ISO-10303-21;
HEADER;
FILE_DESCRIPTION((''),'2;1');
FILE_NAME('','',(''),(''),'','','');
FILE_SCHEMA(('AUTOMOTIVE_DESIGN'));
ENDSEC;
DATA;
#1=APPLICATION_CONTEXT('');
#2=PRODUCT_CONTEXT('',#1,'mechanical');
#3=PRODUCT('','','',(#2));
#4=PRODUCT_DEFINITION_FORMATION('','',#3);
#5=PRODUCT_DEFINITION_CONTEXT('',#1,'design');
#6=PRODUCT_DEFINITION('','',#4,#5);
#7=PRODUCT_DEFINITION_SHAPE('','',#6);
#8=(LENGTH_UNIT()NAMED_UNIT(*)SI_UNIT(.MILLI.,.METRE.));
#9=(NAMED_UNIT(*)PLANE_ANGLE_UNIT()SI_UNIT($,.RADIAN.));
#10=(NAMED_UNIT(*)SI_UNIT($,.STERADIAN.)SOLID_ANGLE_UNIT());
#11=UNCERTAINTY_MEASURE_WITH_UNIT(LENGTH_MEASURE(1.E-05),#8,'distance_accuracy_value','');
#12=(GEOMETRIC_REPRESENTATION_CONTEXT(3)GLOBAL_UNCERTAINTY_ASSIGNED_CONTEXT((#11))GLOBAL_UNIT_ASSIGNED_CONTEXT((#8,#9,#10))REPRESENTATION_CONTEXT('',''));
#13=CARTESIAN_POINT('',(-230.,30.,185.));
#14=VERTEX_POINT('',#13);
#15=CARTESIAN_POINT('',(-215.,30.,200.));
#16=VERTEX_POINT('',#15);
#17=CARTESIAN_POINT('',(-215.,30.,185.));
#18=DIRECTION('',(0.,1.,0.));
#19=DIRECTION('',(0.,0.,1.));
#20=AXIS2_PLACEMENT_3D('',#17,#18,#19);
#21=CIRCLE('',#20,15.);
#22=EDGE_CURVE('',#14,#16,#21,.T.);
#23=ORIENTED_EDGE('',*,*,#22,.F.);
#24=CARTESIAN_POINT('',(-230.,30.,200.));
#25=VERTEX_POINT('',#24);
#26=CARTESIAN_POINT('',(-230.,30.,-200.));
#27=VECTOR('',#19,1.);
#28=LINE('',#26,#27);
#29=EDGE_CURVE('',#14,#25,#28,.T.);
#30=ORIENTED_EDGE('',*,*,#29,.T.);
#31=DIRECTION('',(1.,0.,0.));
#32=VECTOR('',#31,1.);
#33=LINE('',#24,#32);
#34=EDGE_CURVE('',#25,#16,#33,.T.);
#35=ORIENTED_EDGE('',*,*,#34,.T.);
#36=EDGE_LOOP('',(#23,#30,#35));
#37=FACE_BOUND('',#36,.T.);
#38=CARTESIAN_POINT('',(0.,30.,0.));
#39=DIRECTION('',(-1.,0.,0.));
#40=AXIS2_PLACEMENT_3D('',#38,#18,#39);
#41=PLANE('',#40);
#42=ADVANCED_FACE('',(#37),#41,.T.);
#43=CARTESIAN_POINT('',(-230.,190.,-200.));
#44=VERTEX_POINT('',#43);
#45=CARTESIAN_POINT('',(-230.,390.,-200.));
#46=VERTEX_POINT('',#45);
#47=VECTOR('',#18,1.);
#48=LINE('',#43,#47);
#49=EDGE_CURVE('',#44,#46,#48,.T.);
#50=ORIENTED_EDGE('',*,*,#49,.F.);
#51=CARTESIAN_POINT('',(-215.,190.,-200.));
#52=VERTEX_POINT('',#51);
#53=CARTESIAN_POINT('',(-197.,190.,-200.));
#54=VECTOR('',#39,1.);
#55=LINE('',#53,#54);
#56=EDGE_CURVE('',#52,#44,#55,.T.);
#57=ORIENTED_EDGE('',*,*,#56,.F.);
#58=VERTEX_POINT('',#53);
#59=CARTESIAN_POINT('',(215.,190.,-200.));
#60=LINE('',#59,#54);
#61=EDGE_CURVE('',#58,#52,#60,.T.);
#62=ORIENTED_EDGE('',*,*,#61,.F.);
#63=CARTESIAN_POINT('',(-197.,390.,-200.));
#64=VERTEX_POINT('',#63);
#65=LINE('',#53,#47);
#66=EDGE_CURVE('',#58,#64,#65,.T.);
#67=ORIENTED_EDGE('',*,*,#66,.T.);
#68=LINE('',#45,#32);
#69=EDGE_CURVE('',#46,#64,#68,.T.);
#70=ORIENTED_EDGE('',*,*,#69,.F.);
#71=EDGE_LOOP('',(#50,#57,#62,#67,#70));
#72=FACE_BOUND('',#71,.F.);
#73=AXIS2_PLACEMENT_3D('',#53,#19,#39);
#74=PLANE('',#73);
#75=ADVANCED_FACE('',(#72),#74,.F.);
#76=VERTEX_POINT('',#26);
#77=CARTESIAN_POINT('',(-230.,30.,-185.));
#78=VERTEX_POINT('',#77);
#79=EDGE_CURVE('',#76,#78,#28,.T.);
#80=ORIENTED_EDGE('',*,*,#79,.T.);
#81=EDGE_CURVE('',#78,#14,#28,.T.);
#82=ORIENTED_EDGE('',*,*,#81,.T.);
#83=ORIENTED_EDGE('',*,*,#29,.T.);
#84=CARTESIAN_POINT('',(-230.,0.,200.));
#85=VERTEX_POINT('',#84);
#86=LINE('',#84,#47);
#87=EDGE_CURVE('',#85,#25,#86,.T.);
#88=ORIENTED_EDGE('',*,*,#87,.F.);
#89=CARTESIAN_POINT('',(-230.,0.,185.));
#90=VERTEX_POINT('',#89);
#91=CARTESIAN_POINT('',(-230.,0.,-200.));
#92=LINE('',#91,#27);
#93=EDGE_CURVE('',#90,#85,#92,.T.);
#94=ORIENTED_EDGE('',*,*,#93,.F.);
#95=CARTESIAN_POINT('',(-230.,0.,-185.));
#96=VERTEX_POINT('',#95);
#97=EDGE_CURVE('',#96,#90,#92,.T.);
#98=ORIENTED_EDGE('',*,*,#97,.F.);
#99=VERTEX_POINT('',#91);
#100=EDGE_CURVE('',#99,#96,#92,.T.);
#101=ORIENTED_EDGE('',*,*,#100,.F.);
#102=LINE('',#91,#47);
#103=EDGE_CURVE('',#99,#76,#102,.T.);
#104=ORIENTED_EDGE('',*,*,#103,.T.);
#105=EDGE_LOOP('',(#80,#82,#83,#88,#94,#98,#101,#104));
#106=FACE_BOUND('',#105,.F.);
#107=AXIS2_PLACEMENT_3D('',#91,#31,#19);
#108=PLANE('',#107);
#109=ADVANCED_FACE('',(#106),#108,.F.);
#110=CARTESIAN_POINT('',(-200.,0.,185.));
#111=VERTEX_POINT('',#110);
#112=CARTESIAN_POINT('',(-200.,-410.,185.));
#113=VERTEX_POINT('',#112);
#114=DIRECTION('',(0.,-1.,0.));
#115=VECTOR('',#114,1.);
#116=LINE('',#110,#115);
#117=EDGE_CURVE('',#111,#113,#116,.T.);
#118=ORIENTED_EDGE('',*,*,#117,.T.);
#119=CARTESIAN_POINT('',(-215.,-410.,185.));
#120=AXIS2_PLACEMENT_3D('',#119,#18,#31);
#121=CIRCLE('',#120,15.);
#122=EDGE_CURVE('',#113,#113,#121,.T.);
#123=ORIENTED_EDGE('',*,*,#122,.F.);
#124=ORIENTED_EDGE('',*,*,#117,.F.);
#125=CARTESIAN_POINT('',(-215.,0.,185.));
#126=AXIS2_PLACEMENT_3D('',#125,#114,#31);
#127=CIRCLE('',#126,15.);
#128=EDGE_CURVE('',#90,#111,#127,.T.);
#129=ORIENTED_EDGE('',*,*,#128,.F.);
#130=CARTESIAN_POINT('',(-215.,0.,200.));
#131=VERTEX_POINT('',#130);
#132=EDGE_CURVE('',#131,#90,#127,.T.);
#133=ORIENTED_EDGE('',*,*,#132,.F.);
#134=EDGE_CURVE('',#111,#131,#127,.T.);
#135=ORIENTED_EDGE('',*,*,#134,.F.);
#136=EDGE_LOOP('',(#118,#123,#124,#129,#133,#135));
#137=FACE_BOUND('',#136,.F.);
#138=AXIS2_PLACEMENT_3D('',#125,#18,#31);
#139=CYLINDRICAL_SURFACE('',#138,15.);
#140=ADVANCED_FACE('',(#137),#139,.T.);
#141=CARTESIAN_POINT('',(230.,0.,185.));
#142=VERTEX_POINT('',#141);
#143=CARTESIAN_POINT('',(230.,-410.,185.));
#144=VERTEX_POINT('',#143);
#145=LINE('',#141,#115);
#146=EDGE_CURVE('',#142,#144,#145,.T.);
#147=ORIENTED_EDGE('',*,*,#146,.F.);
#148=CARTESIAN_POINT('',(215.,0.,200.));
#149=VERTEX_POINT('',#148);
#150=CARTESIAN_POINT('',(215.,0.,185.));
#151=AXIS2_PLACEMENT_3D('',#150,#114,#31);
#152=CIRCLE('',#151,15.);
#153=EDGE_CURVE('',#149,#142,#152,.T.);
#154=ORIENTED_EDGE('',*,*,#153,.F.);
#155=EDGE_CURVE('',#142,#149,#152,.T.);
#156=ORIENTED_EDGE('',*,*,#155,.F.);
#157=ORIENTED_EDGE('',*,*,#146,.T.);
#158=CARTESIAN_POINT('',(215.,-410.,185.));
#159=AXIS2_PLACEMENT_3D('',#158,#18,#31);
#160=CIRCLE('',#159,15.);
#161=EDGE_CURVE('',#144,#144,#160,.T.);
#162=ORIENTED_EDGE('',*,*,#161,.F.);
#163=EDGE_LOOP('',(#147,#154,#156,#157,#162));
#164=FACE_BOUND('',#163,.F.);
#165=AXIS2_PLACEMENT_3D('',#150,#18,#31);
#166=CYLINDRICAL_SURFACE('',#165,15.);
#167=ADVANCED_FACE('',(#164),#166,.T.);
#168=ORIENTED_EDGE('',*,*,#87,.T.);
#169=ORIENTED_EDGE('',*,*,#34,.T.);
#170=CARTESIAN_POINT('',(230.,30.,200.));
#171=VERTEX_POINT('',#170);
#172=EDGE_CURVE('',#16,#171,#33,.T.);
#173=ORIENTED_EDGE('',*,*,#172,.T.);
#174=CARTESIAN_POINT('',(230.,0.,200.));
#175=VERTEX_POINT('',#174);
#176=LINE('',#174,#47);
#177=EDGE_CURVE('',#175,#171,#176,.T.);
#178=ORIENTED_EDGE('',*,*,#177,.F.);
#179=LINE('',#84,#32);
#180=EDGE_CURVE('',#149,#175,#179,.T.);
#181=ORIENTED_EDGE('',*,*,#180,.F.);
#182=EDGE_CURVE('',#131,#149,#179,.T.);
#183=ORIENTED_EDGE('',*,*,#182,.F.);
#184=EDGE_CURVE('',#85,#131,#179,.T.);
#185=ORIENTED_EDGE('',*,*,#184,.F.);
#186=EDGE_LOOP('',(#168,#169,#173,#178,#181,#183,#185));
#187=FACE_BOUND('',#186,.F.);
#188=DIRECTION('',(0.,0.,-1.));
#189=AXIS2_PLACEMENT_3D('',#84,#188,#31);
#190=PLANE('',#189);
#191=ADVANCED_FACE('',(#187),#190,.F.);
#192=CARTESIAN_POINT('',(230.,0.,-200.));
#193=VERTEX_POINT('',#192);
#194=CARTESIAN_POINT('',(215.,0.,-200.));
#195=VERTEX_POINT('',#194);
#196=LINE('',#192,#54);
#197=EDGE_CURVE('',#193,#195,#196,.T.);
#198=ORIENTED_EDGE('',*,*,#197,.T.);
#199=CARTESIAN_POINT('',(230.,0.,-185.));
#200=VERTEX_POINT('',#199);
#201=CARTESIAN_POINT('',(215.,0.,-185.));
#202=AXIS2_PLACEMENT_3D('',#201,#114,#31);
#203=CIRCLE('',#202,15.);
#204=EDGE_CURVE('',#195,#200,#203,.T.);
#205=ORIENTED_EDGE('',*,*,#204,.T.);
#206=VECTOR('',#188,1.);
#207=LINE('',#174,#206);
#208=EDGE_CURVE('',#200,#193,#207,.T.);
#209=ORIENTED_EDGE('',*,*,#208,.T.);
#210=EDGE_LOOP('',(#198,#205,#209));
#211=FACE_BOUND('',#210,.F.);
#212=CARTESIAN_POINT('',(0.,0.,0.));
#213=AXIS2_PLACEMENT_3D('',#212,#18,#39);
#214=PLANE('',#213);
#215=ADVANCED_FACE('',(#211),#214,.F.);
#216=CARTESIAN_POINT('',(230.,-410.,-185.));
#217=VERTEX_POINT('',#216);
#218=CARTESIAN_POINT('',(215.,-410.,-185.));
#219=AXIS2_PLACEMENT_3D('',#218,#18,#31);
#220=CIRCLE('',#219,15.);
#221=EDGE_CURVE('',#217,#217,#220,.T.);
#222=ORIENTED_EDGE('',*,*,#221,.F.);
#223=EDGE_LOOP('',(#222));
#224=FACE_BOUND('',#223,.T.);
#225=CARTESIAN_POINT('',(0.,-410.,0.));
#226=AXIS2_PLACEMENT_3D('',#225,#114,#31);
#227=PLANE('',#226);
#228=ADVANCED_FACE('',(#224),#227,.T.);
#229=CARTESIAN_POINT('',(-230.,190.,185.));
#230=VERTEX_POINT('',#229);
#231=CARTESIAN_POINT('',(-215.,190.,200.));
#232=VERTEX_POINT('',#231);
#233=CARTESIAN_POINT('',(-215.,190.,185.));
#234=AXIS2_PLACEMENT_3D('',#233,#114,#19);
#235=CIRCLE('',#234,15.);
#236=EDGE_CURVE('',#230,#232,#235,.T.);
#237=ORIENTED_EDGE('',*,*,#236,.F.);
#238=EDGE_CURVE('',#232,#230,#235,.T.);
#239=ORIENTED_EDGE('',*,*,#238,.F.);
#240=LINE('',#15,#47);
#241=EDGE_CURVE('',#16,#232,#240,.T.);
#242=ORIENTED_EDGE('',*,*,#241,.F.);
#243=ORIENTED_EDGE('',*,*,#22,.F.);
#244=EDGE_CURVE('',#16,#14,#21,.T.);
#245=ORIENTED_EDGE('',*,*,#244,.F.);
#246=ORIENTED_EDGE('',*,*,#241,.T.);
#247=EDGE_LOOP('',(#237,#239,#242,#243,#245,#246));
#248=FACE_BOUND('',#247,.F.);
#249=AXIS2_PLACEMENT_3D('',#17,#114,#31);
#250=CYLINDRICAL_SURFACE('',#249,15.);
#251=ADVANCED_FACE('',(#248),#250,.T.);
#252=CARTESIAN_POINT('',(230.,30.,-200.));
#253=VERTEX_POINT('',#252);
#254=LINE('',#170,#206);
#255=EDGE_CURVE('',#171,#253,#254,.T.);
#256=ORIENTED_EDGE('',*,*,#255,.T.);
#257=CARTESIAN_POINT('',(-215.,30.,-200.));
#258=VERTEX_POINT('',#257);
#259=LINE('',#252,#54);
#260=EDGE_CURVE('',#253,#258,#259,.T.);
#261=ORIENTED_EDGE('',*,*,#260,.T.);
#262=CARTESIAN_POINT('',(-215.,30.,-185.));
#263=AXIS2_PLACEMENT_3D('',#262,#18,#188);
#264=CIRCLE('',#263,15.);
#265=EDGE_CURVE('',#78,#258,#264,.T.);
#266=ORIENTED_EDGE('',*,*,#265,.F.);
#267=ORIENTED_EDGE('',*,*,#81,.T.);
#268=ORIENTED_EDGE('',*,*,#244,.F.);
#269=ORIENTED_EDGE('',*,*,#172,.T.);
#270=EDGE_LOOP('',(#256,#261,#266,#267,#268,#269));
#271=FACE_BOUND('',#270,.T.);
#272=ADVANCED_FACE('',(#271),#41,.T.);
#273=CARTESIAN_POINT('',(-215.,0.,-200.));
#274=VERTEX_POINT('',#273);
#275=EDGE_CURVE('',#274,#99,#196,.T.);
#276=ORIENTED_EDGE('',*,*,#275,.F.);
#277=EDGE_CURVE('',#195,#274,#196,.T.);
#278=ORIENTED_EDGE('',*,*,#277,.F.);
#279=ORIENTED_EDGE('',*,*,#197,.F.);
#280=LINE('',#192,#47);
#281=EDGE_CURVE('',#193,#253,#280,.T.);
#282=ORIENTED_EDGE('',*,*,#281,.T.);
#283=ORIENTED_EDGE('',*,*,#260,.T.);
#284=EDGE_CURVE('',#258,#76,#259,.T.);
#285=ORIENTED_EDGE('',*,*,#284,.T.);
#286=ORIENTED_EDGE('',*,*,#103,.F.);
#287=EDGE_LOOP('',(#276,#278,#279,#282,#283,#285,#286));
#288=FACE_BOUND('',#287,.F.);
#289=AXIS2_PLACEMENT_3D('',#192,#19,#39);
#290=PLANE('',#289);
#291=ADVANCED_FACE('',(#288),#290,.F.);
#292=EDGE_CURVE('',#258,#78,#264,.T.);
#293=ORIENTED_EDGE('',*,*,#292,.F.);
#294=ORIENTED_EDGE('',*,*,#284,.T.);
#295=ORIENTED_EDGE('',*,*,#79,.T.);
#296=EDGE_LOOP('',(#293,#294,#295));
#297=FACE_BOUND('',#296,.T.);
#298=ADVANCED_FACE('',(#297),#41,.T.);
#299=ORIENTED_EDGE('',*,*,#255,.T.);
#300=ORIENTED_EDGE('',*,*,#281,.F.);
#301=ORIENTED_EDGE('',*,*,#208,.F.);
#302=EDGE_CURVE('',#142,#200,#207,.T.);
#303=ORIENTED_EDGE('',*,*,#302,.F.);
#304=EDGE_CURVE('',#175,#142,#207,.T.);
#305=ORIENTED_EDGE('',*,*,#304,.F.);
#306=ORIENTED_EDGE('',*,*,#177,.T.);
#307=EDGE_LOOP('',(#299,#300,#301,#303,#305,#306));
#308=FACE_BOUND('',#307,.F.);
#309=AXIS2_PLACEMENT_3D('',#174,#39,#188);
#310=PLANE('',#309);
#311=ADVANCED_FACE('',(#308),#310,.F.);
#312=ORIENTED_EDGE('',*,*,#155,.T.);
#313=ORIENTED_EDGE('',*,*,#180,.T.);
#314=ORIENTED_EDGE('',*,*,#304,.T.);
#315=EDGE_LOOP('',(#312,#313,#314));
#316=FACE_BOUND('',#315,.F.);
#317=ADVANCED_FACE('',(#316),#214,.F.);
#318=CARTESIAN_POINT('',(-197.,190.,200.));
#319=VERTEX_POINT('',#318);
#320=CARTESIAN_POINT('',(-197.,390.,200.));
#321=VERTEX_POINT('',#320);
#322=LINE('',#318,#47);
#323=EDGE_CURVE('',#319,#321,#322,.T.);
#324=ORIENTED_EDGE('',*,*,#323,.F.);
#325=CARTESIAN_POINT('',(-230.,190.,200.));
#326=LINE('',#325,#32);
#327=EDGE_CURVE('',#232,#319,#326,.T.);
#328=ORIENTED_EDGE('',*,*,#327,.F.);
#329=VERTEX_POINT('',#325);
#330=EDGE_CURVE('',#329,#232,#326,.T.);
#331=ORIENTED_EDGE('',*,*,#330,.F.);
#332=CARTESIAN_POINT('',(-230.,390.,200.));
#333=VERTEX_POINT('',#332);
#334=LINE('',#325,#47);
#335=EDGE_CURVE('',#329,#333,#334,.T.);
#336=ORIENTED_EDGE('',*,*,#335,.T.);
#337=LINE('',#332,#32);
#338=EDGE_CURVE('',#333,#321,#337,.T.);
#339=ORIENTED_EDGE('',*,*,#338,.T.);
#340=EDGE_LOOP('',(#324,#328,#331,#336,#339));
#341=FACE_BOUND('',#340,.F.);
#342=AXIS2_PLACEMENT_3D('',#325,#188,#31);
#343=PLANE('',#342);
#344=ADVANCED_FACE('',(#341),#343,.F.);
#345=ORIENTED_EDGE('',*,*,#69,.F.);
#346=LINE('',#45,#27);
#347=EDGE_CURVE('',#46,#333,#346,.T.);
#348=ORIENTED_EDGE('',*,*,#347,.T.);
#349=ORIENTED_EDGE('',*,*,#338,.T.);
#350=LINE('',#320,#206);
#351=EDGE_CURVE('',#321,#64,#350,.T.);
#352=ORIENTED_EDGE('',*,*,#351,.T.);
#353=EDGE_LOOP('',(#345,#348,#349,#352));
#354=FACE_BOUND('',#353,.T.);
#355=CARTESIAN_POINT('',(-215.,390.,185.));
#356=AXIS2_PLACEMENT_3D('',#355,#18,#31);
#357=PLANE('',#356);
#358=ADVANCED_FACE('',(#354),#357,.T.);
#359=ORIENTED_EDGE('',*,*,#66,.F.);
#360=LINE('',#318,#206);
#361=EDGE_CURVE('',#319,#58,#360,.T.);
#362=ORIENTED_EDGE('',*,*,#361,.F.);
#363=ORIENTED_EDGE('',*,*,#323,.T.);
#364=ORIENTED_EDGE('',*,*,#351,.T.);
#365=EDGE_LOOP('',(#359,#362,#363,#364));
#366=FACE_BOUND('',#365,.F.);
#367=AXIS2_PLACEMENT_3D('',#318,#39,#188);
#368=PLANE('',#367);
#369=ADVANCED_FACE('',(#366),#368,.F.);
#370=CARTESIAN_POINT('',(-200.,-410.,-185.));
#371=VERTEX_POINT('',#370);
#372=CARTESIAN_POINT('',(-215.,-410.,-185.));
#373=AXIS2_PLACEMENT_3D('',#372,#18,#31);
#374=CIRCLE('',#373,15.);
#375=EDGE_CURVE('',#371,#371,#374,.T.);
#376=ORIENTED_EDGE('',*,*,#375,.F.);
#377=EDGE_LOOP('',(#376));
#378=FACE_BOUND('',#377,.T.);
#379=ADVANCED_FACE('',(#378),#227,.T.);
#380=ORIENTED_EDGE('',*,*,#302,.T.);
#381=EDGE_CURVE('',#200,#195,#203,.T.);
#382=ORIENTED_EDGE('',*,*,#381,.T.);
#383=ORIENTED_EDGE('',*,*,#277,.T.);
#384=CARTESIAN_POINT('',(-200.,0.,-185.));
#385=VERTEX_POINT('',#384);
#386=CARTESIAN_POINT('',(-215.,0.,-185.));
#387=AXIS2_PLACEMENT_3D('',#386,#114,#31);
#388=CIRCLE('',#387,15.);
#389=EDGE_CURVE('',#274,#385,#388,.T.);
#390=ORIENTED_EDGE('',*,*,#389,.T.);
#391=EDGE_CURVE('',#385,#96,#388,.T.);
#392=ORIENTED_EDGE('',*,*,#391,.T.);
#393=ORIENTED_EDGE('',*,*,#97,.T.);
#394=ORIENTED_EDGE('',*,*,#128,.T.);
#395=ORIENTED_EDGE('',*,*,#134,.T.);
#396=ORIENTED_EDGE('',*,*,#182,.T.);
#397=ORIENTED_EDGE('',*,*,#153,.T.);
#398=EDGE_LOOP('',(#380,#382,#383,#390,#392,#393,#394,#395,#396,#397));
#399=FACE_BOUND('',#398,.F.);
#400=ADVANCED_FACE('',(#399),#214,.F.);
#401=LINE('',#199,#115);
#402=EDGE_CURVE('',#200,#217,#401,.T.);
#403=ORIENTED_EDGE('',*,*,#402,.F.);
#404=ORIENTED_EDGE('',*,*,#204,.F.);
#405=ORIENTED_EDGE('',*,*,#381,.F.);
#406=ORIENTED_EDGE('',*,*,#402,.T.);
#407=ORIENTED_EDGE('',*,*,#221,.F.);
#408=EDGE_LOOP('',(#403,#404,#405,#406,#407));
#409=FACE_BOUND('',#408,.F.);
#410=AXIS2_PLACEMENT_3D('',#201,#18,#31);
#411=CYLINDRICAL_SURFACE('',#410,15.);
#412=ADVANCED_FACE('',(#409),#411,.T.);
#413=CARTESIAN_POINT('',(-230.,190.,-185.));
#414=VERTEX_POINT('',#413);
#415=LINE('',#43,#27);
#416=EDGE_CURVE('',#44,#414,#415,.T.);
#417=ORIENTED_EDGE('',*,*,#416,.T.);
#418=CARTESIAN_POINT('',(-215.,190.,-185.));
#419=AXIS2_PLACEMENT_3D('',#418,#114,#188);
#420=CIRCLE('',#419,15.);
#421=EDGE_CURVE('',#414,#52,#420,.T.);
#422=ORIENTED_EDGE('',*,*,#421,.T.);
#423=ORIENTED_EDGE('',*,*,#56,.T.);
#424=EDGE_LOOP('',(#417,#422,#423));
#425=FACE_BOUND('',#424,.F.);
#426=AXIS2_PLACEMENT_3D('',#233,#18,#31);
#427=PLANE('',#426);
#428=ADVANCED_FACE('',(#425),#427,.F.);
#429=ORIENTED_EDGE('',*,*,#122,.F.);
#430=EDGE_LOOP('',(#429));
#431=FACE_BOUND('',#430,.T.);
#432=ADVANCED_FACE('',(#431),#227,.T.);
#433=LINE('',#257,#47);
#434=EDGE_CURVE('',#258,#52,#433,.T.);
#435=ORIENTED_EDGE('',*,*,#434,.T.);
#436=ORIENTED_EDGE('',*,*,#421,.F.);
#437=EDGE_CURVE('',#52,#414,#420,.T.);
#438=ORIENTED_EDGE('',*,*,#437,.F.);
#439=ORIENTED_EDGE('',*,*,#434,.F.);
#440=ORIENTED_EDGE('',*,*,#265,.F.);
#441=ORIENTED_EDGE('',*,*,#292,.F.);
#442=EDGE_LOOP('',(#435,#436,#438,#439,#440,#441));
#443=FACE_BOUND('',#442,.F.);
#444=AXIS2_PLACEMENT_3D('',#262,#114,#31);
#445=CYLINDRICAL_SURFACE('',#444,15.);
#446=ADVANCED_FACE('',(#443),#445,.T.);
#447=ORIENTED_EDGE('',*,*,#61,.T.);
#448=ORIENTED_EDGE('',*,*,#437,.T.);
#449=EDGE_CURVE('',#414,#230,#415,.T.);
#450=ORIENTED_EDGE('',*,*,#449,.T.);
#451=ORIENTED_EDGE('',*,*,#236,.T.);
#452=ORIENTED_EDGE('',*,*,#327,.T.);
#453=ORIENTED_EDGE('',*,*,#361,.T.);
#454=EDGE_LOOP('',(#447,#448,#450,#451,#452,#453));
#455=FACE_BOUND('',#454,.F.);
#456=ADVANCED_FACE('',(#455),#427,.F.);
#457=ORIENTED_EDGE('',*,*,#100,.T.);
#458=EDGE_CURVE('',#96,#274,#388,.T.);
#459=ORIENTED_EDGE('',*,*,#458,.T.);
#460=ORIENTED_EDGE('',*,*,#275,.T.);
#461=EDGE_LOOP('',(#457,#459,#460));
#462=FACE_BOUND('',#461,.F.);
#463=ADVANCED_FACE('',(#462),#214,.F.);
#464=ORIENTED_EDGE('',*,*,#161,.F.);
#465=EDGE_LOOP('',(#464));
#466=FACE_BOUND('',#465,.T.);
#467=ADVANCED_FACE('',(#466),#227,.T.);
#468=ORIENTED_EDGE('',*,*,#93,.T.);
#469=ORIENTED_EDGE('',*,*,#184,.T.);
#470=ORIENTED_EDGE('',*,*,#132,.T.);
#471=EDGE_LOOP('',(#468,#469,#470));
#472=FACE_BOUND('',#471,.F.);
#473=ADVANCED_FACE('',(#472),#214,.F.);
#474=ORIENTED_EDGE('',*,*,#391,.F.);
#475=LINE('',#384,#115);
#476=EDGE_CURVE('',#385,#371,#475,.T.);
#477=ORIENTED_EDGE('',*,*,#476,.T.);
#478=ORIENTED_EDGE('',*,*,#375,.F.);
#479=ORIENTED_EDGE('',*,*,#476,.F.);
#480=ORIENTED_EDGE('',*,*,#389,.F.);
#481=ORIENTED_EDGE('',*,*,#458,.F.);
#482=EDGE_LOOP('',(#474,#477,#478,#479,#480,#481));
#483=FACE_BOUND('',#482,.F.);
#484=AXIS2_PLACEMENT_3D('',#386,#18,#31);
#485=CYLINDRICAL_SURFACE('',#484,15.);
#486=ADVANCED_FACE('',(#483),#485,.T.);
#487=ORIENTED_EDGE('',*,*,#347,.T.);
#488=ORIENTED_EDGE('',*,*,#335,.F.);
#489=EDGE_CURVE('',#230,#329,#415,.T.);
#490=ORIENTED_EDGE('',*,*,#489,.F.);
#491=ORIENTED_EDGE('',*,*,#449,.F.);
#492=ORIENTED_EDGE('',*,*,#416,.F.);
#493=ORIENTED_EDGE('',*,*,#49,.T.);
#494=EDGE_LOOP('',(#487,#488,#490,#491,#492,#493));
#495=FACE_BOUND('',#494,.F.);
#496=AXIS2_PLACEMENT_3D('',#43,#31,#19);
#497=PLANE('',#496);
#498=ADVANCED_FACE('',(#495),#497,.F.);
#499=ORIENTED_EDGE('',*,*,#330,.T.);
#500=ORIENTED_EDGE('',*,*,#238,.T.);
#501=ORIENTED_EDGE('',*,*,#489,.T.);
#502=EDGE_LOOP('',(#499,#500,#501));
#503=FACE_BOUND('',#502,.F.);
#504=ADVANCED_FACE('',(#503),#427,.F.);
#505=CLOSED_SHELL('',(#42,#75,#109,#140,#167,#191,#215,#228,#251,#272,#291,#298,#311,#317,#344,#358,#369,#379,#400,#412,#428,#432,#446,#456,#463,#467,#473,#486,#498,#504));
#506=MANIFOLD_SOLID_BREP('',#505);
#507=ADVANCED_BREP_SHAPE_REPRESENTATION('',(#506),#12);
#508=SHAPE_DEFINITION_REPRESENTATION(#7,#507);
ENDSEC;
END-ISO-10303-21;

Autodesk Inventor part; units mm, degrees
ref_plane "YZ Plane" through (0, 0, 0) normal (1, 0, 0) x (0, 1, 0)
ref_plane "XZ Plane" through (0, 0, 0) normal (0, 1, 0) x (-1, 0, 0)
ref_plane "XY Plane" through (0, 0, 0) normal (0, 0, 1) x (1, 0, 0)
sketch "Esquisse1" plane through (0, 0, 0) normal (0, 1, 0) x (-1, 0, 0)
  line L0 (230, 200) -> (-230, 200)
  line L1 (-230, 200) -> (-230, -200)
  line L2 (-230, -200) -> (230, -200)
  line L3 (230, -200) -> (230, 200)
  point P0 (0, 0)
  dimension "d0" = 400
  dimension "d1" = 460
  dimension "d2" = 230
  dimension "d3" = 200
extrude "Extrusion1" add sketch "Esquisse1" along normal blind 30
sketch "Esquisse2" plane through (0, 0, 0) normal (0, -1, 0) x (1, 0, 0)
  circle A0 centre (215, 185) radius 15
  circle A1 centre (215, -185) radius 15
  circle A2 centre (-215, -185) radius 15
  circle A3 centre (-215, 185) radius 15
  line L0 (-230, 200) -> (230, 200) projected
  line L1 (230, 200) -> (230, -200) projected
  line L2 (230, -200) -> (-230, -200) projected
  line L3 (-230, -200) -> (-230, 200) projected
  point P0 (0, 0)
  dimension "d6" = 30
  dimension "d7" = 30
  dimension "d8" = 30
  dimension "d9" = 30
  dimension "d10" = 15
  dimension "d11" = 15
  dimension "d12" = 15
  dimension "d13" = 15
  dimension "d14" = 15
  dimension "d15" = 15
  dimension "d16" = 15
  dimension "d17" = 15
extrude "Extrusion2" add sketch "Esquisse2" along normal blind 410 contours A0 | A1 | A3 | A2
sketch "Esquisse3" plane through (0, 30, 0) normal (0, 1, 0) x (1, 0, 0)
  arc A0 (-215, -200) -> (-230, -185) centre (-215, -185) ccw projected
  circle A1 centre (-215, -185) radius 15
  arc A2 (-230, 185) -> (-215, 200) centre (-215, 185) ccw projected
  circle A3 centre (-215, 185) radius 15
  point P0 (0, 0)
extrude "Extrusion3" add sketch "Esquisse3" along normal blind 160
sketch "Esquisse4" plane through (-215, 190, 185) normal (0, 1, 0) x (1, 0, 0)
  line L0 (430, 385) -> (0, 385) projected
  line L1 (-15, -15) -> (18, -15)
  line L2 (18, -15) -> (18, 385)
  line L3 (18, 385) -> (-15, 385)
  line L4 (-15, 385) -> (-15, -15)
  point P0 (215, 185)
  dimension "d22" = 33
extrude "Extrusion4" add sketch "Esquisse4" along normal blind 200
equation "\"d2\" = 0.5 * d1"
equation "\"d3\" = 0.5 * d0"
equation "\"d7\" = d6"
equation "\"d8\" = d6"
equation "\"d9\" = d6"
equation "\"d12\" = d11"
equation "\"d13\" = d10"
equation "\"d14\" = d11"
equation "\"d15\" = d11"
equation "\"d16\" = d11"
equation "\"d17\" = d11"
properties part number "Chaise"
